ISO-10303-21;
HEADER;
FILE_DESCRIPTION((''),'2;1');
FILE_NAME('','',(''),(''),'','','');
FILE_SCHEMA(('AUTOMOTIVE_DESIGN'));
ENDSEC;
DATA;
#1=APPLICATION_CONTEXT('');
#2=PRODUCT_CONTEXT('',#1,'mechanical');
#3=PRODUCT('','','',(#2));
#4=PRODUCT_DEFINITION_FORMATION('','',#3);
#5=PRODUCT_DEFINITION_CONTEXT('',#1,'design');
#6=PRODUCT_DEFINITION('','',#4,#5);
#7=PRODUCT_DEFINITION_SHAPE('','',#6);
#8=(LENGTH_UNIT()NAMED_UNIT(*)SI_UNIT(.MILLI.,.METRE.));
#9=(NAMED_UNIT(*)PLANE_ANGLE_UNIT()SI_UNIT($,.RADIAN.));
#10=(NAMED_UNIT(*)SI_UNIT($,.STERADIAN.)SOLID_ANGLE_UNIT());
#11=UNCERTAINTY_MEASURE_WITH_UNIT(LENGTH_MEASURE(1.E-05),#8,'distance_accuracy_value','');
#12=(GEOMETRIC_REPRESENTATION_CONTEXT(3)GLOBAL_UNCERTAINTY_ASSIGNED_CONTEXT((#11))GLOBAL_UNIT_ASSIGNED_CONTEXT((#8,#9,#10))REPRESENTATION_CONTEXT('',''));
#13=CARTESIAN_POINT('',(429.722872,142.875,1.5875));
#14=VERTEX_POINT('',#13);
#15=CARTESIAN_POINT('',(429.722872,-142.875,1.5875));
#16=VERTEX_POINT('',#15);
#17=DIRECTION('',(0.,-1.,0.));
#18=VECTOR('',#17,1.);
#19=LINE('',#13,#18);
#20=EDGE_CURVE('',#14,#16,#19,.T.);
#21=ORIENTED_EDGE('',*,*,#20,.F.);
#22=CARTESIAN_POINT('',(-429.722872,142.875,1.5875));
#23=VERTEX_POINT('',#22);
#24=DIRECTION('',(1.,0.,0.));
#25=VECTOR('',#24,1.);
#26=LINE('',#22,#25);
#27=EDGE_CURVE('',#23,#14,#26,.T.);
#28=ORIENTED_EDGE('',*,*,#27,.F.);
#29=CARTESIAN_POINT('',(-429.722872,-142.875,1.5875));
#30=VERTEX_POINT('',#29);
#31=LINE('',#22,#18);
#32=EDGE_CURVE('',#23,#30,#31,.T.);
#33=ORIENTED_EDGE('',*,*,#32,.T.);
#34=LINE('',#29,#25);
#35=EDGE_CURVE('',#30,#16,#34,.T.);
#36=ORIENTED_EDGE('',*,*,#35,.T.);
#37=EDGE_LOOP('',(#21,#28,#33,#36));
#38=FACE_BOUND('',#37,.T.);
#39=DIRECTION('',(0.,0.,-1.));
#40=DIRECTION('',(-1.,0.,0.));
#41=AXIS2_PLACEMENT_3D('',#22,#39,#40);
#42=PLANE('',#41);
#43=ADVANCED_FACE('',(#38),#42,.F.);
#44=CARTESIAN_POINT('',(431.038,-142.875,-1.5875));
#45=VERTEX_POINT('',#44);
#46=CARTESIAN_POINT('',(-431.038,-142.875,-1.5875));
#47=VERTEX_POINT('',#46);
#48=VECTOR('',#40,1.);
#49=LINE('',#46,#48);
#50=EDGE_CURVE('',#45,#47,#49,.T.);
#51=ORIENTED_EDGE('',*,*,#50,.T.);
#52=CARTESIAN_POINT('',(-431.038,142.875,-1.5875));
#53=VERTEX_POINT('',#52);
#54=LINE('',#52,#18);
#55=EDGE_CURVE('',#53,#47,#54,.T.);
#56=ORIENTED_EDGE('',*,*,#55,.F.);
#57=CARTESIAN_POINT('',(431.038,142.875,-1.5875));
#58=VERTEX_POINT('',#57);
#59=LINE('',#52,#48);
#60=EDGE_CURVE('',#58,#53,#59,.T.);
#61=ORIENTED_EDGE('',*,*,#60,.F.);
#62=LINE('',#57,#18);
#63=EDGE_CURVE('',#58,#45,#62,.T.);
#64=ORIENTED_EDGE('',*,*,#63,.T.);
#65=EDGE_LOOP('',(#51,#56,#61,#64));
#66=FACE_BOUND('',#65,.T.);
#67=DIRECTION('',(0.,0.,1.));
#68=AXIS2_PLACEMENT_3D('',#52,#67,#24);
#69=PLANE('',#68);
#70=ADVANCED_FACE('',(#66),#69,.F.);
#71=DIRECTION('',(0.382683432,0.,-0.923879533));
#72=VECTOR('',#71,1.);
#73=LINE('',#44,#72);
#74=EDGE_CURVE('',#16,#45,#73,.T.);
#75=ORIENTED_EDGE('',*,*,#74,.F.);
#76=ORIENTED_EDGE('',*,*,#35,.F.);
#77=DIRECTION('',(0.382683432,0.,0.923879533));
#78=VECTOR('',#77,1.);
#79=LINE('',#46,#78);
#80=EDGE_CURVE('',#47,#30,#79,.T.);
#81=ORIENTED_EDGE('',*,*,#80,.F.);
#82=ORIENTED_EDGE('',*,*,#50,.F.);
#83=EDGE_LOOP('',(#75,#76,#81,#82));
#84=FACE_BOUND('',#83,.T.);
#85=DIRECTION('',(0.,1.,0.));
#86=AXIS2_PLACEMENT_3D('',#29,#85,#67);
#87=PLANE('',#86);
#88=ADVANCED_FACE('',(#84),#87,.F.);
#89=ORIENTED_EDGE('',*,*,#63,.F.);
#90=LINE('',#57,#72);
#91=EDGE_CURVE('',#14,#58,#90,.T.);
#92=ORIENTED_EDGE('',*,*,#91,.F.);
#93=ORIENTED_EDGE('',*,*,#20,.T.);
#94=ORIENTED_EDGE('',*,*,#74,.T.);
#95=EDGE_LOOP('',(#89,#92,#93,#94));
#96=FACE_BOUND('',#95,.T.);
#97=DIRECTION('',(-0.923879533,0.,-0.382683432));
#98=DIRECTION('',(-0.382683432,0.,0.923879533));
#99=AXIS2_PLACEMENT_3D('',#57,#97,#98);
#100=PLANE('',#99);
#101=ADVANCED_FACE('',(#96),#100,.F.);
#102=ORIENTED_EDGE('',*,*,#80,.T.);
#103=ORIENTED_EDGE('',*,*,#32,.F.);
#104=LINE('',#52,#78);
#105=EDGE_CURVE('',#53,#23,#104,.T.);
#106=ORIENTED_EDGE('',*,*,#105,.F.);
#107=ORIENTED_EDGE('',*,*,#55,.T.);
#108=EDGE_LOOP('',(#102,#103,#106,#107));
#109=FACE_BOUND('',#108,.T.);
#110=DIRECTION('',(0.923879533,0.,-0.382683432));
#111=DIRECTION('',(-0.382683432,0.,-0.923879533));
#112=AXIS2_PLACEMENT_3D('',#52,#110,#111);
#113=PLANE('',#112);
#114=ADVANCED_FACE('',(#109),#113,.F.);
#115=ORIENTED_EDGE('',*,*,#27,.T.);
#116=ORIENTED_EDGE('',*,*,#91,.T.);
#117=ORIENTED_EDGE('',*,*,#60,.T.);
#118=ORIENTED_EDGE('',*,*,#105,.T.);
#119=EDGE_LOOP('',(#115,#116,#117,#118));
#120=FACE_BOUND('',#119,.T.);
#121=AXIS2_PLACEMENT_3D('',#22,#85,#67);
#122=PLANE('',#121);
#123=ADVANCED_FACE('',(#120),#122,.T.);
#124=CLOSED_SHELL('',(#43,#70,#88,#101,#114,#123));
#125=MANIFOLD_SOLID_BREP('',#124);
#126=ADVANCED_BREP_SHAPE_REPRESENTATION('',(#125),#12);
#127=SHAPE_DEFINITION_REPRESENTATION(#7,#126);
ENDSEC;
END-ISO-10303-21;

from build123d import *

# Parameters (mm, degrees)
EXTRUDE1_DEPTH = 142.875


with BuildPart() as part:
    # Sketch1 → Extrude1 (new body, symmetric)
    with BuildSketch(Plane(origin=(0, 0, 0), x_dir=(1, 0, 0), z_dir=(0, 1, 0))):
        Polygon((431.038, 1.5875), (429.722871939, -1.5875), (-429.722871939, -1.5875), (-431.038, 1.5875), align=None)
    extrude(amount=EXTRUDE1_DEPTH, both=True)


solid = part.part
